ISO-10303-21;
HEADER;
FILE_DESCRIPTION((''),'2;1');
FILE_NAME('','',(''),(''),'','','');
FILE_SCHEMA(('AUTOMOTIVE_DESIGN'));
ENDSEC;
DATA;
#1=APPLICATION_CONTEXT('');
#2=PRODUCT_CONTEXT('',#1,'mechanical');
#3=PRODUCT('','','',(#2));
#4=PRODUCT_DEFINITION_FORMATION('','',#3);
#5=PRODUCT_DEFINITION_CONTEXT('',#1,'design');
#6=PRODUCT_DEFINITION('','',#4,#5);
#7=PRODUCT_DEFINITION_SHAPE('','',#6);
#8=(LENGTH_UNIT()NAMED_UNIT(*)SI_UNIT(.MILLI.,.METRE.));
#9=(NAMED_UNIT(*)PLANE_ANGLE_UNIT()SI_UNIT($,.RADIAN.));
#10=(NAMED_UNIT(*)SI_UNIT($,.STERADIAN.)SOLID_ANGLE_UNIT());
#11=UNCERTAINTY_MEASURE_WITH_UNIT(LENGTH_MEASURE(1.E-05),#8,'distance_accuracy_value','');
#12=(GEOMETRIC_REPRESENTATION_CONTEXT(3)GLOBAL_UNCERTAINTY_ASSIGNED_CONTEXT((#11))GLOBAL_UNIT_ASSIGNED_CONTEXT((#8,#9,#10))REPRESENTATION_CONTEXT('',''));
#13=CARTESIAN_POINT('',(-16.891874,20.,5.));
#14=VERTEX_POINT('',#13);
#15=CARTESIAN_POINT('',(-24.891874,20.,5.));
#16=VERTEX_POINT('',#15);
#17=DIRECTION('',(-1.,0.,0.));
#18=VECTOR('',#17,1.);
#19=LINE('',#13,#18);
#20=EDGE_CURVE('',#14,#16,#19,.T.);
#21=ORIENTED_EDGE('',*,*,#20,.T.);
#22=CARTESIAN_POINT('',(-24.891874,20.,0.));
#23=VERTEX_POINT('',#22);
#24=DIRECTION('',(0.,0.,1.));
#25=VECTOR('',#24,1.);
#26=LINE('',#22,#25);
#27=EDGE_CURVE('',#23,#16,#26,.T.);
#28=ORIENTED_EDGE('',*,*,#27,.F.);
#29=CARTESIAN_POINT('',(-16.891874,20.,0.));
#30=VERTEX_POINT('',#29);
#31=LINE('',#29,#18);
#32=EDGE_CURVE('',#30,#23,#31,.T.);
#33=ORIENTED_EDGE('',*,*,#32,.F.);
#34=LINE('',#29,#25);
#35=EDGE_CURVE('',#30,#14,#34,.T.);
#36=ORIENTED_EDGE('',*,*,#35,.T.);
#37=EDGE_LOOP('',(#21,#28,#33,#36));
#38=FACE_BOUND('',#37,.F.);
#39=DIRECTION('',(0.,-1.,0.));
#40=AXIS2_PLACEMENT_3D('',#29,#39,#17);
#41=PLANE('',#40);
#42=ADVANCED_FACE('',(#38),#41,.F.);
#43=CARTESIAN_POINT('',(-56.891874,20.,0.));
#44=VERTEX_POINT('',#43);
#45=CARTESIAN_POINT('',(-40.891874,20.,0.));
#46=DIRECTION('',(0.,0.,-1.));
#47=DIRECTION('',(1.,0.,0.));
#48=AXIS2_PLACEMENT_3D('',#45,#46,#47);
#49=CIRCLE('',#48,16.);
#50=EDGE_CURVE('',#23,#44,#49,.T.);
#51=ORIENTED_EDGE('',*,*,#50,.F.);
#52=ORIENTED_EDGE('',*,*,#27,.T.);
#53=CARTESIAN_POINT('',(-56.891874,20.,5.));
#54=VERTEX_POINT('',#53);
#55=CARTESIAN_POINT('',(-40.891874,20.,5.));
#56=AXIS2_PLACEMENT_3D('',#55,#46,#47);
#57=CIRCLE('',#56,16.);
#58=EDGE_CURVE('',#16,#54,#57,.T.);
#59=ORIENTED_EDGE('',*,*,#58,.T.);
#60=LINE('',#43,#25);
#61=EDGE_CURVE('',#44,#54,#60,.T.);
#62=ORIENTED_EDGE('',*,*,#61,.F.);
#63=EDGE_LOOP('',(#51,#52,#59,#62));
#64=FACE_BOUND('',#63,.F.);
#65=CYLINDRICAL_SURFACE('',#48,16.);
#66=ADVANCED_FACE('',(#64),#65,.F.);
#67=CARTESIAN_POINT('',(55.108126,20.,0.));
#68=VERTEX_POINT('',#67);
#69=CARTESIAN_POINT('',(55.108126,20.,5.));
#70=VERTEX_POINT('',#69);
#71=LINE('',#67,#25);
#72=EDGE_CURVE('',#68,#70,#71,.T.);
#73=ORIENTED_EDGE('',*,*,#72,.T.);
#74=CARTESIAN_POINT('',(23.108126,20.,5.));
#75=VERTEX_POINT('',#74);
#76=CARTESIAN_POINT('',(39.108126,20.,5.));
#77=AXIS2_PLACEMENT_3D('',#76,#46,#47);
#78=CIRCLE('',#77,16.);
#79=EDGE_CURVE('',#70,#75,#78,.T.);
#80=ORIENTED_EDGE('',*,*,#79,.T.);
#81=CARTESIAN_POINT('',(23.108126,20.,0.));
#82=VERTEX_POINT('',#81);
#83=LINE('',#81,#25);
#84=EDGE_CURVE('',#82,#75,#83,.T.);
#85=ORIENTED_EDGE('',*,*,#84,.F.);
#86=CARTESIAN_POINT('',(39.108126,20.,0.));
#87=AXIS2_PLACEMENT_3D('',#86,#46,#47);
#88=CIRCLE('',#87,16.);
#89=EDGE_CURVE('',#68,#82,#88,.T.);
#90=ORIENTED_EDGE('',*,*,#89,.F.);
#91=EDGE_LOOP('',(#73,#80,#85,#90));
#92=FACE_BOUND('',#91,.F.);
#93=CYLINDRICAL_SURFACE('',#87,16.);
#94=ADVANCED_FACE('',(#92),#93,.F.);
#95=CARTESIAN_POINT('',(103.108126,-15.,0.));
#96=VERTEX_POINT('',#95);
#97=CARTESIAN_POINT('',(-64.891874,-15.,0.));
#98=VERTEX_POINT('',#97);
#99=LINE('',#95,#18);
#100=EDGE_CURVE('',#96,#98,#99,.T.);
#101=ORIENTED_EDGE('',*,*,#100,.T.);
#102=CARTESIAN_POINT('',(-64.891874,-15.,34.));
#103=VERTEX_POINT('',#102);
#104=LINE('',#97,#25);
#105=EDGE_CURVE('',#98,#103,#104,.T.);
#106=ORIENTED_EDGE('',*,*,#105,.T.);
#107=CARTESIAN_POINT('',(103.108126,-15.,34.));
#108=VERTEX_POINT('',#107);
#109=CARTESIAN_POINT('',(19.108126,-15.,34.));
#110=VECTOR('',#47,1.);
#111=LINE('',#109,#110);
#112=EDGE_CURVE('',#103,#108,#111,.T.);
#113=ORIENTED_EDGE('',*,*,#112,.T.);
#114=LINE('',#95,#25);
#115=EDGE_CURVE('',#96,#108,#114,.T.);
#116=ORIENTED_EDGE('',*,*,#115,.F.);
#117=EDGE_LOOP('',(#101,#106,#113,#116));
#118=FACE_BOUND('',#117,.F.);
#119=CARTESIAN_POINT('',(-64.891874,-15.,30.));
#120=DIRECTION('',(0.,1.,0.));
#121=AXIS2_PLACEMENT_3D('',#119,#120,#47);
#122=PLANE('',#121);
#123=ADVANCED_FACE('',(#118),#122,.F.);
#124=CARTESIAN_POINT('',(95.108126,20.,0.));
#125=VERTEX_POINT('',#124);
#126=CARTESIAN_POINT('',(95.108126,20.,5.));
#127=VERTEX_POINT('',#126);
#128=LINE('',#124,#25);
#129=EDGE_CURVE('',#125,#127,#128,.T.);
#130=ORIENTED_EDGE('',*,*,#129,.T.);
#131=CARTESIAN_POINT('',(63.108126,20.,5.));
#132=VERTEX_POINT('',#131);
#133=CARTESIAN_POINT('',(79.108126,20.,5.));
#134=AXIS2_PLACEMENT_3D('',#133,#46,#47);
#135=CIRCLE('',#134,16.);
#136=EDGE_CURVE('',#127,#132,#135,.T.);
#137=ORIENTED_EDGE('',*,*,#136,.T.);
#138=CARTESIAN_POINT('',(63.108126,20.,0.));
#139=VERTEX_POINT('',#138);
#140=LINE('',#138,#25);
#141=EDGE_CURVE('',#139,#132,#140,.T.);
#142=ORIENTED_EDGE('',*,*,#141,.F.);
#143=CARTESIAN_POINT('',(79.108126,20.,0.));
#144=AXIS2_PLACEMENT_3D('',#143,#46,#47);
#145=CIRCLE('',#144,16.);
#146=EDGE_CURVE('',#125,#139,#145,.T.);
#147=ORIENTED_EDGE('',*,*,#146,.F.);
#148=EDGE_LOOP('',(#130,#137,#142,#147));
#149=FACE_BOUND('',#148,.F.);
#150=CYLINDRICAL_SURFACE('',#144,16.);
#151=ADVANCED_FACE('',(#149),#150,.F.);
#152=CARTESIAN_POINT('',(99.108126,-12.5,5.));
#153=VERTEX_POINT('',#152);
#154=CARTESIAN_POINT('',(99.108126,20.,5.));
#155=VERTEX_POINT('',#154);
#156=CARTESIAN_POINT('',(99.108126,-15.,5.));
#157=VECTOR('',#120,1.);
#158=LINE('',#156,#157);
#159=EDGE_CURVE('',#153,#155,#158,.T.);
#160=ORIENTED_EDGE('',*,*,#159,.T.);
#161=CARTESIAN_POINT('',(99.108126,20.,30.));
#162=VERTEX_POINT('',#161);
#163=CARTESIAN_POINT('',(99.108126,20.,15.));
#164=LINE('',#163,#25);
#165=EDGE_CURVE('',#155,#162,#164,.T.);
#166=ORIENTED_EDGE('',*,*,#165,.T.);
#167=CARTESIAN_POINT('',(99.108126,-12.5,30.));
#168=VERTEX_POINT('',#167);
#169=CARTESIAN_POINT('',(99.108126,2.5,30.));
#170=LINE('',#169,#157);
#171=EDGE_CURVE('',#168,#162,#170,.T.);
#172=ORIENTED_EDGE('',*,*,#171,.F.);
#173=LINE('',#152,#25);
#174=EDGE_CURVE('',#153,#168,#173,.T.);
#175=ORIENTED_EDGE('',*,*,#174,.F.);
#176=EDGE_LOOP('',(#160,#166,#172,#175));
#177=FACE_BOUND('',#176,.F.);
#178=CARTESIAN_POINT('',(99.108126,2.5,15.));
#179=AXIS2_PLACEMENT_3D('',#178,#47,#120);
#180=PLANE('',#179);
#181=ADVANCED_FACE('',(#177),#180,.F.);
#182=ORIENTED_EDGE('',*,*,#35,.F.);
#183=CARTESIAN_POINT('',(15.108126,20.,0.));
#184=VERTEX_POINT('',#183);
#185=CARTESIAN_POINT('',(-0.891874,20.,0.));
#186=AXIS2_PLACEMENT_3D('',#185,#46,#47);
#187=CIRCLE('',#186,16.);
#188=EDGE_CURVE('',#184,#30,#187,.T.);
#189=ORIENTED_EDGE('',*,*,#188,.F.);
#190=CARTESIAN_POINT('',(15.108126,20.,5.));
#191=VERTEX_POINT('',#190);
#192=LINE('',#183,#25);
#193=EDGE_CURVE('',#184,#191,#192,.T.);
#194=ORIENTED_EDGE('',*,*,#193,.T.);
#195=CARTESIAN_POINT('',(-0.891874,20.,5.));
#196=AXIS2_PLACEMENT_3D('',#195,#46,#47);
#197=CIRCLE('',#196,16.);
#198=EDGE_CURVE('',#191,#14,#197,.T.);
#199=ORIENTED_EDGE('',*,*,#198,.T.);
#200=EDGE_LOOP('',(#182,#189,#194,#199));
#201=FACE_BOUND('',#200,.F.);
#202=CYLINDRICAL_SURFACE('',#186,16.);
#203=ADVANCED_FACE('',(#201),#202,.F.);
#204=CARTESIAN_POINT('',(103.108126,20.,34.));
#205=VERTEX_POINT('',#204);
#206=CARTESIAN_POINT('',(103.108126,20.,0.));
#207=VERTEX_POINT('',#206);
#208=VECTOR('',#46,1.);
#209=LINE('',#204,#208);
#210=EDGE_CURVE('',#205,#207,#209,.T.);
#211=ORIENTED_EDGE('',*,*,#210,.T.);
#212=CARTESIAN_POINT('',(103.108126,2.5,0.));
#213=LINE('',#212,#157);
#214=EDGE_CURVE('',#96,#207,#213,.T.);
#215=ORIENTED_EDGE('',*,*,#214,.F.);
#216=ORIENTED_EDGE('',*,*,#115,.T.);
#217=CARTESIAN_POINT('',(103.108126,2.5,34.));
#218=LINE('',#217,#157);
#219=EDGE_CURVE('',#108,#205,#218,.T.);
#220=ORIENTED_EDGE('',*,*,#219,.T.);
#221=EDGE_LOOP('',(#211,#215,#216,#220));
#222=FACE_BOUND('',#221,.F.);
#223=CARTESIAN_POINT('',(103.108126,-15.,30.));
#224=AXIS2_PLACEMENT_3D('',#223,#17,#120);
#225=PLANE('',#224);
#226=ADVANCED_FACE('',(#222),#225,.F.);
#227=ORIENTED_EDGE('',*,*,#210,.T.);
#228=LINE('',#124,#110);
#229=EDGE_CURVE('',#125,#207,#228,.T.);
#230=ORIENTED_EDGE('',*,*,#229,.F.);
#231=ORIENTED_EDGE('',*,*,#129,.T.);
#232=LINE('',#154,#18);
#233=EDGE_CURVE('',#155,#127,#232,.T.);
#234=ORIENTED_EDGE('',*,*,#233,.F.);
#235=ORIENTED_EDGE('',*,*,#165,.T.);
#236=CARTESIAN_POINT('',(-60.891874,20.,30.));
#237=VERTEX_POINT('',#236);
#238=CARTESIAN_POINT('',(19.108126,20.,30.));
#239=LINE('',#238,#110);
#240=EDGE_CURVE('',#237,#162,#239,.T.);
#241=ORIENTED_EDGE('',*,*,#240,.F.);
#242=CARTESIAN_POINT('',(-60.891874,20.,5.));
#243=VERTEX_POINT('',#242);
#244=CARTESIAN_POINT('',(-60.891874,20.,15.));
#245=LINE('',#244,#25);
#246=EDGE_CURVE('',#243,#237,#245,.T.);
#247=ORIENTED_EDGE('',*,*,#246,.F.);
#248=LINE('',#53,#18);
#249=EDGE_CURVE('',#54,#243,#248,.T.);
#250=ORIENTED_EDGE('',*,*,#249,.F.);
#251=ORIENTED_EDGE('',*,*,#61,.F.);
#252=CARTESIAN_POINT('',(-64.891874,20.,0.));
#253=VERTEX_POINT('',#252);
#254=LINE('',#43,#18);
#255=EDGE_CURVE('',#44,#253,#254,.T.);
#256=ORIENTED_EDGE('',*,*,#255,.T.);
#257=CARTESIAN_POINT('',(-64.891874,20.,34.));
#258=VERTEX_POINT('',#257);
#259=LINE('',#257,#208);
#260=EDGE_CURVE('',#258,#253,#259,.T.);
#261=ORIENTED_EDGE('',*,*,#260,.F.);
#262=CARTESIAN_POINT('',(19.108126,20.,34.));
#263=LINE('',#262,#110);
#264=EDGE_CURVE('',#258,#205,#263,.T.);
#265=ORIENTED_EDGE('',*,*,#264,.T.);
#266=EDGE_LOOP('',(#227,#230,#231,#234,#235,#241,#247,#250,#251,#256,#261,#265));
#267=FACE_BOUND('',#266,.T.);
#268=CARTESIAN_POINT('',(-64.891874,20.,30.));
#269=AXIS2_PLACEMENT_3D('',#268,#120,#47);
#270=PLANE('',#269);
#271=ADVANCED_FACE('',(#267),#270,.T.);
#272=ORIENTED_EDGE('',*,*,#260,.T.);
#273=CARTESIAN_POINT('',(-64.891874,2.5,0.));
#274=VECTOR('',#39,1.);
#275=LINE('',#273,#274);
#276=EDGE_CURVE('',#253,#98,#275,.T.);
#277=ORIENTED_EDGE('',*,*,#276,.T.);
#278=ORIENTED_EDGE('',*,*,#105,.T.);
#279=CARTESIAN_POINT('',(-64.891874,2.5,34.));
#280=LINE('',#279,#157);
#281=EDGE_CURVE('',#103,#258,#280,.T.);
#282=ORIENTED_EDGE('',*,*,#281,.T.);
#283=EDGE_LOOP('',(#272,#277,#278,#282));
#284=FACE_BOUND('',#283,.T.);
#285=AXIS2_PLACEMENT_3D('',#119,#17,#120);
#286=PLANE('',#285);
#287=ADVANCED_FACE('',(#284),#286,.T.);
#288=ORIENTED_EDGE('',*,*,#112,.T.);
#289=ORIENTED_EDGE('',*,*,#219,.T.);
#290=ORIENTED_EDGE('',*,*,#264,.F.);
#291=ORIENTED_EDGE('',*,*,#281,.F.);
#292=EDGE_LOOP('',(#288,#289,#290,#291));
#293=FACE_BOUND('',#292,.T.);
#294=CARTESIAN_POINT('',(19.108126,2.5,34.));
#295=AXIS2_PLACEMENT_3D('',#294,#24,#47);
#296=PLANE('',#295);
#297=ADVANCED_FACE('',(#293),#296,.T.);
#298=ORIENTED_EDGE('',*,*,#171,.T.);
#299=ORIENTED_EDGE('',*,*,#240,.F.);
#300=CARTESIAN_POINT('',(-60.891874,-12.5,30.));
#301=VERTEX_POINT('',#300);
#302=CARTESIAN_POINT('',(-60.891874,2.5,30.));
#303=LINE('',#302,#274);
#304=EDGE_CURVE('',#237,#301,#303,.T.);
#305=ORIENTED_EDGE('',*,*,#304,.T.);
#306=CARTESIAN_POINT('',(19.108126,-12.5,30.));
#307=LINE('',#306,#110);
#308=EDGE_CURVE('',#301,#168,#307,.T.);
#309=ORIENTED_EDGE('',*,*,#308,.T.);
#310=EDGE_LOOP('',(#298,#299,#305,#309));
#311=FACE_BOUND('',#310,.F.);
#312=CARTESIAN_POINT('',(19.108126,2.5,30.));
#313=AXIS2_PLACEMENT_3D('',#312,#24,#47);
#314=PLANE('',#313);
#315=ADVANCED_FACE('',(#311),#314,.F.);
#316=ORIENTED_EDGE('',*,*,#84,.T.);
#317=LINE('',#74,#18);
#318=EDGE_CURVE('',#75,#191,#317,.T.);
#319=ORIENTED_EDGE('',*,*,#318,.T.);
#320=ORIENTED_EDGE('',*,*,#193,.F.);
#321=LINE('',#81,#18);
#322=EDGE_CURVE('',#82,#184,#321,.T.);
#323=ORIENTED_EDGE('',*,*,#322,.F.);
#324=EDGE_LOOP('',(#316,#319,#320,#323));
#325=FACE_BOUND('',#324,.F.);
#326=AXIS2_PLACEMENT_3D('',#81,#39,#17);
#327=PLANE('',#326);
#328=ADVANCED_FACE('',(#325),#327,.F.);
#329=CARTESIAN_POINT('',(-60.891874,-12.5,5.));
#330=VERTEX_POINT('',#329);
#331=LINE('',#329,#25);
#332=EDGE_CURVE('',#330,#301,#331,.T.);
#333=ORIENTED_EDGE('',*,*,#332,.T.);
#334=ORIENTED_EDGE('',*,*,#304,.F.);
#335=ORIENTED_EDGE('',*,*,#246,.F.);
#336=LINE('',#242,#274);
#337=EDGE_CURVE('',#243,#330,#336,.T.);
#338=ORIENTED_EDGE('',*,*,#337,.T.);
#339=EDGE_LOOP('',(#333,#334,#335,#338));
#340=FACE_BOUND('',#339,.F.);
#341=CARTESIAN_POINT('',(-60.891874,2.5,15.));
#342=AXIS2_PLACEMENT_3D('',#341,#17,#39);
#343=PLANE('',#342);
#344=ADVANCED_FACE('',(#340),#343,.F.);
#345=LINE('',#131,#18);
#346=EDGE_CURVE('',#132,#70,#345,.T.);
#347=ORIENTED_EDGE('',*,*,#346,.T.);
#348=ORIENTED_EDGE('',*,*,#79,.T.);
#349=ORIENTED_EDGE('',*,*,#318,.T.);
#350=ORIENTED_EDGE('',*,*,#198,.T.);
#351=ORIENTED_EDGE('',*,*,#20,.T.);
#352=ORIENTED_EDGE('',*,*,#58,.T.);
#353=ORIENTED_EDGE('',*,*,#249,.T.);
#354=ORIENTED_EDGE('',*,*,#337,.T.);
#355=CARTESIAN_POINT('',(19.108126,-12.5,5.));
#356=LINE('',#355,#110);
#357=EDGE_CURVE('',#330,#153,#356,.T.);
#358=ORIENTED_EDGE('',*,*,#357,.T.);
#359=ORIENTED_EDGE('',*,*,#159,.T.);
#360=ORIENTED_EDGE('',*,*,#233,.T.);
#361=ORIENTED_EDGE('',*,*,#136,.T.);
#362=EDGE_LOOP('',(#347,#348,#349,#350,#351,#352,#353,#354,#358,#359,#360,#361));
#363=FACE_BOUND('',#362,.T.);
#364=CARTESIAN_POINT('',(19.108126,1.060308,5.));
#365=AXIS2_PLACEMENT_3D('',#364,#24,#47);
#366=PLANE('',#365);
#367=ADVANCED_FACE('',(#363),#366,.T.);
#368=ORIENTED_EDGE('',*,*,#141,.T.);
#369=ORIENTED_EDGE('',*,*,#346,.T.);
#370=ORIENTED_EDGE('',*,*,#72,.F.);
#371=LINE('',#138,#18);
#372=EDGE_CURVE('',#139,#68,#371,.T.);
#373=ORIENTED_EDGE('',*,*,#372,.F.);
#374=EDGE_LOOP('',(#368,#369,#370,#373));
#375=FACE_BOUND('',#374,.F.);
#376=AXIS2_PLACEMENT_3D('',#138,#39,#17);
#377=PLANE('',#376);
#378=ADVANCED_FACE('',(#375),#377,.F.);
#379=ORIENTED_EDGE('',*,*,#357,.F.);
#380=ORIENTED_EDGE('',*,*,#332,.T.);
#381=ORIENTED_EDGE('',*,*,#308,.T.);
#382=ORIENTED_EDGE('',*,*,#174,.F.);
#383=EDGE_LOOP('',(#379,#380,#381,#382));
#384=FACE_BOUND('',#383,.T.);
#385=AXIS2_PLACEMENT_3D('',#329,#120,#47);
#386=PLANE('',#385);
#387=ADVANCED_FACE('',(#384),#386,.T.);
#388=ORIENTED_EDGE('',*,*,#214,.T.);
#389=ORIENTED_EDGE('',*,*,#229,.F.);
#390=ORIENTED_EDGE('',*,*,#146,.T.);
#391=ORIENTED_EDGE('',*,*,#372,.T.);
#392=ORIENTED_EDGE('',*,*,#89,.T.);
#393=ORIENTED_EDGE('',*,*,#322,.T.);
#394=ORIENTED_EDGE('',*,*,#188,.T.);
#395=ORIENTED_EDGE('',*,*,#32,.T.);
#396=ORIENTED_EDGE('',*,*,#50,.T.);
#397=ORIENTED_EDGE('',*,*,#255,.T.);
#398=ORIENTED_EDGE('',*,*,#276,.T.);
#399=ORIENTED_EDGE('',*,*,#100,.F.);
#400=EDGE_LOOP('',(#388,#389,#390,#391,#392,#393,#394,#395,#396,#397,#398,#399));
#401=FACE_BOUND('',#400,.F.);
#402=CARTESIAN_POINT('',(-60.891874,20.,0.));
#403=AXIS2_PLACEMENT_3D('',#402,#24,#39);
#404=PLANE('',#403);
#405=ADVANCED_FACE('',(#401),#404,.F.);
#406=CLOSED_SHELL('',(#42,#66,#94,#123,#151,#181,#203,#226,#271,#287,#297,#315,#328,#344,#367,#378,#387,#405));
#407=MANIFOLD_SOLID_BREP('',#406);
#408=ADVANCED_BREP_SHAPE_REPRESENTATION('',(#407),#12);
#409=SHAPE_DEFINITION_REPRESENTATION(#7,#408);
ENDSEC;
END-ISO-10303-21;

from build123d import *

# Parameters (mm, degrees)
F1_DEPTH = 5
F2_W     = 160
F2_H     = 2.5
F3_DEPTH = 25
F4_W     = 35
F4_H     = 30
F5_DEPTH = 4
F6_W     = 35
F6_H     = 30
F7_DEPTH = 4
F8_W     = 168
F8_H     = 35
F9_DEPTH = 4


with BuildPart() as f1:
    # F0 (on Top) → F1 (new body)
    with BuildSketch(Plane.XY):
        with BuildLine():
            Line((-60.891874, 20), (-60.891874, 0))
            Line((-60.891874, 0), (-60.891874, -15))
            Line((-60.891874, -15), (99.108126, -15))
            Line((99.108126, -15), (99.108126, 0))
            Line((99.108126, 0), (99.108126, 20))
            Line((99.108126, 20), (95.108126, 20))
            ThreePointArc((95.108126, 20), (79.108126, 4), (63.108126, 20))
            Line((63.108126, 20), (55.108126, 20))
            ThreePointArc((55.108126, 20), (39.108126, 4), (23.108126, 20))
            Line((23.108126, 20), (15.108126, 20))
            ThreePointArc((15.108126, 20), (-0.891874, 4), (-16.891874, 20))
            Line((-16.891874, 20), (-24.891874, 20))
            ThreePointArc((-24.891874, 20), (-40.891874, 4), (-56.891874, 20))
            Line((-56.891874, 20), (-60.891874, 20))
        make_face()
    extrude(amount=F1_DEPTH)

    # F2 (on face) → F3 (join)
    with BuildSketch(Plane.XY.offset(5)):
        with Locations((19.108126, -13.75)):
            Rectangle(F2_W, F2_H)
    extrude(amount=F3_DEPTH)

    # F4 (on face) → F5 (join)
    with BuildSketch(Plane.YZ.offset(99.108126)):
        with Locations((2.5, 15)):
            Rectangle(F4_W, F4_H)
    extrude(amount=F5_DEPTH)

    # F6 (on face) → F7 (join)
    with BuildSketch(Plane(origin=(-60.891874, 0, 0), x_dir=(0, -1, 0), z_dir=(-1, 0, 0))):
        with Locations((-2.5, 15)):
            Rectangle(F6_W, F6_H)
    extrude(amount=F7_DEPTH)

    # F8 (on face) → F9 (join)
    with BuildSketch(Plane.XY.offset(30)):
        with Locations((19.108126, 2.5)):
            Rectangle(F8_W, F8_H)
    extrude(amount=F9_DEPTH)


solid = f1.part
